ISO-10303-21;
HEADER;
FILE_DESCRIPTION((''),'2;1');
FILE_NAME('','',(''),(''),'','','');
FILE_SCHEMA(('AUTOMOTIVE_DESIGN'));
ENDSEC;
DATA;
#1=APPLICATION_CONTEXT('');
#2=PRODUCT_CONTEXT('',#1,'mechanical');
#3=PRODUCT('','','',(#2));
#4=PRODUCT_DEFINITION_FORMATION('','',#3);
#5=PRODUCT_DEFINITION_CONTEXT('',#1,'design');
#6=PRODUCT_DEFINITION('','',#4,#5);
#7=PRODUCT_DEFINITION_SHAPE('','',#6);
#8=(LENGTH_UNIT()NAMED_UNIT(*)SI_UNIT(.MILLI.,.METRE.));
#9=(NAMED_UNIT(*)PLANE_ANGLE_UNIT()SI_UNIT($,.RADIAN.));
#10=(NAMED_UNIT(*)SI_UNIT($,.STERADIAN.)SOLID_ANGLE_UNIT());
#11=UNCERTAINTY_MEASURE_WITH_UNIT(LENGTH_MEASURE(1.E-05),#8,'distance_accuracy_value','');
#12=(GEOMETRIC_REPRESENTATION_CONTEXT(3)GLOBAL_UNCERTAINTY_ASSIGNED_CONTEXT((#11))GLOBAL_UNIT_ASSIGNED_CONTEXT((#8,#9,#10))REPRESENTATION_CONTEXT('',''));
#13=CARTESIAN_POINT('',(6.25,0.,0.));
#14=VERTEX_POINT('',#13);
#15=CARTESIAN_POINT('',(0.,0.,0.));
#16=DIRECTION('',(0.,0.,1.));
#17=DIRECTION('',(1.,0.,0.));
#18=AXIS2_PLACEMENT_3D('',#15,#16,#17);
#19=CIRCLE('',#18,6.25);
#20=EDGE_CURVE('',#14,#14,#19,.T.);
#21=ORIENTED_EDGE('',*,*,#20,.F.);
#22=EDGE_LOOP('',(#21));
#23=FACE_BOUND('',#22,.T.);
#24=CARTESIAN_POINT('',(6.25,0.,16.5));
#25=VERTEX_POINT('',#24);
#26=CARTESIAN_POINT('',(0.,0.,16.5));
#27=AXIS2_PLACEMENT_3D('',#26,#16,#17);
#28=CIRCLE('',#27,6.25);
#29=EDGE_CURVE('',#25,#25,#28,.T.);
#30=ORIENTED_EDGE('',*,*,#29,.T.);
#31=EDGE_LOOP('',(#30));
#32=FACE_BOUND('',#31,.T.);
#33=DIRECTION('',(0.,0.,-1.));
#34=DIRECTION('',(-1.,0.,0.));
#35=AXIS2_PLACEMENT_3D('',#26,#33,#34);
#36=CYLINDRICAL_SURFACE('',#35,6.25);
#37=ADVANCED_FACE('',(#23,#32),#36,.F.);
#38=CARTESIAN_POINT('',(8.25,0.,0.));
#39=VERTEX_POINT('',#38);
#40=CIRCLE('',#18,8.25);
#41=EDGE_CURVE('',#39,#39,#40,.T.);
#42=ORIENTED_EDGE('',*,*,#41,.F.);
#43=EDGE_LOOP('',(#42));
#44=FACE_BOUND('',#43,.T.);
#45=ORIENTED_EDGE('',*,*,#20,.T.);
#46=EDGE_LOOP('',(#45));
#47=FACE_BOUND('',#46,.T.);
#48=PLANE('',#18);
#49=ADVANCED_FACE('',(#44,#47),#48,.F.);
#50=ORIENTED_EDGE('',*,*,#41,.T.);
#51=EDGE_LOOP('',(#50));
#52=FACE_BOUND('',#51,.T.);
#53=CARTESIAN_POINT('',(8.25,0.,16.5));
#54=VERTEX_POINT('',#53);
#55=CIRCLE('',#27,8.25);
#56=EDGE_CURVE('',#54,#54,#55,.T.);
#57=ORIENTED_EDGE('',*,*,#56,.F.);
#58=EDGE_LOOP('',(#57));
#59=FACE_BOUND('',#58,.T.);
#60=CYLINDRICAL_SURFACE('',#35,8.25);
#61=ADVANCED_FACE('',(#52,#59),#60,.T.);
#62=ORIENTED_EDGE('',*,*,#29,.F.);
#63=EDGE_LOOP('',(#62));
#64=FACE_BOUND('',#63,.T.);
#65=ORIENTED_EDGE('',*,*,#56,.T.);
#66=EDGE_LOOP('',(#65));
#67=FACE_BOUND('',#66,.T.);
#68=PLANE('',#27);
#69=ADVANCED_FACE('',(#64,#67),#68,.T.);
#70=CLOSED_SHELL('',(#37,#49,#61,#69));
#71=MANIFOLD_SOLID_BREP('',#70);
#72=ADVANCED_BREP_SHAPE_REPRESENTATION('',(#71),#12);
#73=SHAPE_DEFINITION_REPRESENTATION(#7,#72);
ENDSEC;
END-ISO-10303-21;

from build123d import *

# Parameters (mm, degrees)
ESBO_O1_R                = 8.25
ESBO_O1_R_2              = 6.25
RESSALTO_EXTRUS_O1_DEPTH = 16.5


with BuildPart() as part:
    # Esboço1 → Ressalto-extrusão1 (new body)
    with BuildSketch(Plane.XY):
        Circle(ESBO_O1_R)
        Circle(ESBO_O1_R_2, mode=Mode.SUBTRACT)
    extrude(amount=RESSALTO_EXTRUS_O1_DEPTH)


solid = part.part
